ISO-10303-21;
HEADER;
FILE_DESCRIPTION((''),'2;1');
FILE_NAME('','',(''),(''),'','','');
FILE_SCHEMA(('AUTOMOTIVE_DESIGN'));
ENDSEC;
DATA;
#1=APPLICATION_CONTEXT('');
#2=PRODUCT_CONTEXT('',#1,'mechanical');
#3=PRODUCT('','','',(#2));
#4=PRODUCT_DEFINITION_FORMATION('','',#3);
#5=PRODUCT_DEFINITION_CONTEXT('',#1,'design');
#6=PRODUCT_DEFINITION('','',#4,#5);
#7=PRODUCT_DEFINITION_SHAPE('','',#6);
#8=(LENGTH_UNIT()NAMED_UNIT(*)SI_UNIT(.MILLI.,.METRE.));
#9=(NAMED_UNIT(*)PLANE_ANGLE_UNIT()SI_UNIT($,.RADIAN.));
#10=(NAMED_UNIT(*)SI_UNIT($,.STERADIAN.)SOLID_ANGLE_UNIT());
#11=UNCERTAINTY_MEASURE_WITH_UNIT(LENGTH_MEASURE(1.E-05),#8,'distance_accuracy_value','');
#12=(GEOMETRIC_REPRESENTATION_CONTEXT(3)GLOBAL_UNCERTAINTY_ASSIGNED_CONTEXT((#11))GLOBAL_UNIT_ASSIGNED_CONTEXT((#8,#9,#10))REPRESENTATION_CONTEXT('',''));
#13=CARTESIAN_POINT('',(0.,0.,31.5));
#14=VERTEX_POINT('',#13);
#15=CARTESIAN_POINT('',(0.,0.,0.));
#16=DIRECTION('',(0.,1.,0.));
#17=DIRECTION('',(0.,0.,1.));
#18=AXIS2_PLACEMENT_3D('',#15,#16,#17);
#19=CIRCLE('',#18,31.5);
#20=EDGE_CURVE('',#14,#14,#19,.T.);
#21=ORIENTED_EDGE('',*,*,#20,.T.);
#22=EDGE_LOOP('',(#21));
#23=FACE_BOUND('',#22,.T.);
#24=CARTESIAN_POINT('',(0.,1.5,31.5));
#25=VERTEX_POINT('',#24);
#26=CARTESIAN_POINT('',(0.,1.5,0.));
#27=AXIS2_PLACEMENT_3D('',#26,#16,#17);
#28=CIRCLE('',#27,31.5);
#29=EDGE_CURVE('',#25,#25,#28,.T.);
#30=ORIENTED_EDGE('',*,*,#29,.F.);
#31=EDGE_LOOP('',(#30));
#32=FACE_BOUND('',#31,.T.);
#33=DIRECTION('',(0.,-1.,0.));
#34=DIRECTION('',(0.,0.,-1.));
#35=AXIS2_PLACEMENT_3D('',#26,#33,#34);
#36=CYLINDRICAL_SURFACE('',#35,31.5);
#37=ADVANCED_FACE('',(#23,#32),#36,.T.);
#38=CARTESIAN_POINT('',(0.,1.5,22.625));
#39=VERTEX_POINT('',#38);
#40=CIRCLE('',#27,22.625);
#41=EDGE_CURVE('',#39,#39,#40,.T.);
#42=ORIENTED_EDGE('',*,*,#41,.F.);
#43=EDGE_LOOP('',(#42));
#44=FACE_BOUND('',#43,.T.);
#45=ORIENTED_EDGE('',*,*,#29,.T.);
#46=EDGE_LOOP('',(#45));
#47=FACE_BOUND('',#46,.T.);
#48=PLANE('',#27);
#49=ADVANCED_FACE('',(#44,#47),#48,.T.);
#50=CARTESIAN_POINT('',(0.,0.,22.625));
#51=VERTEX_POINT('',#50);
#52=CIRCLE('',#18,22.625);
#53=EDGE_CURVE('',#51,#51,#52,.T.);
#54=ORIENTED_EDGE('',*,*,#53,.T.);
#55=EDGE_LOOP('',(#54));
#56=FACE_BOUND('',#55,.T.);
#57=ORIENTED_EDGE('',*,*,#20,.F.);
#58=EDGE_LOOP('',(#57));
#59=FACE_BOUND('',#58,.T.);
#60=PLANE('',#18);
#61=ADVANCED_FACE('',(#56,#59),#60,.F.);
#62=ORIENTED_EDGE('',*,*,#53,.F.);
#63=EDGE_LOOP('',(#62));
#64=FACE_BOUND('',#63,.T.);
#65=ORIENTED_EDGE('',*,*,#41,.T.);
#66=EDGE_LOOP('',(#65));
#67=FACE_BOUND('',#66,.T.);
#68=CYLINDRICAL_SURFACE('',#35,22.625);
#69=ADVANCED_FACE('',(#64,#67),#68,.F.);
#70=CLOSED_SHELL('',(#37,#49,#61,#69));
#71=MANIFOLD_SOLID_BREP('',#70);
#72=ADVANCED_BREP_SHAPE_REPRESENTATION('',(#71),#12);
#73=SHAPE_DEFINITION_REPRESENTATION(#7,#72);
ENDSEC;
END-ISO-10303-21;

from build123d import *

# Parameters (mm, degrees)
SKETCH1_R           = 31.5
SKETCH1_R_2         = 22.625
BOSS_EXTRUDE1_DEPTH = 1.5


with BuildPart() as part:
    # Sketch1 → Boss-Extrude1 (new body)
    with BuildSketch(Plane(origin=(0, 0, 0), x_dir=(1, 0, 0), z_dir=(0, 1, 0))):
        with Locations(Location((0, 0, 0), (0, 0, 270))):
            Circle(SKETCH1_R)
        with Locations(Location((0, 0, 0), (0, 0, 270))):
            Circle(SKETCH1_R_2, mode=Mode.SUBTRACT)
    extrude(amount=BOSS_EXTRUDE1_DEPTH)


solid = part.part
